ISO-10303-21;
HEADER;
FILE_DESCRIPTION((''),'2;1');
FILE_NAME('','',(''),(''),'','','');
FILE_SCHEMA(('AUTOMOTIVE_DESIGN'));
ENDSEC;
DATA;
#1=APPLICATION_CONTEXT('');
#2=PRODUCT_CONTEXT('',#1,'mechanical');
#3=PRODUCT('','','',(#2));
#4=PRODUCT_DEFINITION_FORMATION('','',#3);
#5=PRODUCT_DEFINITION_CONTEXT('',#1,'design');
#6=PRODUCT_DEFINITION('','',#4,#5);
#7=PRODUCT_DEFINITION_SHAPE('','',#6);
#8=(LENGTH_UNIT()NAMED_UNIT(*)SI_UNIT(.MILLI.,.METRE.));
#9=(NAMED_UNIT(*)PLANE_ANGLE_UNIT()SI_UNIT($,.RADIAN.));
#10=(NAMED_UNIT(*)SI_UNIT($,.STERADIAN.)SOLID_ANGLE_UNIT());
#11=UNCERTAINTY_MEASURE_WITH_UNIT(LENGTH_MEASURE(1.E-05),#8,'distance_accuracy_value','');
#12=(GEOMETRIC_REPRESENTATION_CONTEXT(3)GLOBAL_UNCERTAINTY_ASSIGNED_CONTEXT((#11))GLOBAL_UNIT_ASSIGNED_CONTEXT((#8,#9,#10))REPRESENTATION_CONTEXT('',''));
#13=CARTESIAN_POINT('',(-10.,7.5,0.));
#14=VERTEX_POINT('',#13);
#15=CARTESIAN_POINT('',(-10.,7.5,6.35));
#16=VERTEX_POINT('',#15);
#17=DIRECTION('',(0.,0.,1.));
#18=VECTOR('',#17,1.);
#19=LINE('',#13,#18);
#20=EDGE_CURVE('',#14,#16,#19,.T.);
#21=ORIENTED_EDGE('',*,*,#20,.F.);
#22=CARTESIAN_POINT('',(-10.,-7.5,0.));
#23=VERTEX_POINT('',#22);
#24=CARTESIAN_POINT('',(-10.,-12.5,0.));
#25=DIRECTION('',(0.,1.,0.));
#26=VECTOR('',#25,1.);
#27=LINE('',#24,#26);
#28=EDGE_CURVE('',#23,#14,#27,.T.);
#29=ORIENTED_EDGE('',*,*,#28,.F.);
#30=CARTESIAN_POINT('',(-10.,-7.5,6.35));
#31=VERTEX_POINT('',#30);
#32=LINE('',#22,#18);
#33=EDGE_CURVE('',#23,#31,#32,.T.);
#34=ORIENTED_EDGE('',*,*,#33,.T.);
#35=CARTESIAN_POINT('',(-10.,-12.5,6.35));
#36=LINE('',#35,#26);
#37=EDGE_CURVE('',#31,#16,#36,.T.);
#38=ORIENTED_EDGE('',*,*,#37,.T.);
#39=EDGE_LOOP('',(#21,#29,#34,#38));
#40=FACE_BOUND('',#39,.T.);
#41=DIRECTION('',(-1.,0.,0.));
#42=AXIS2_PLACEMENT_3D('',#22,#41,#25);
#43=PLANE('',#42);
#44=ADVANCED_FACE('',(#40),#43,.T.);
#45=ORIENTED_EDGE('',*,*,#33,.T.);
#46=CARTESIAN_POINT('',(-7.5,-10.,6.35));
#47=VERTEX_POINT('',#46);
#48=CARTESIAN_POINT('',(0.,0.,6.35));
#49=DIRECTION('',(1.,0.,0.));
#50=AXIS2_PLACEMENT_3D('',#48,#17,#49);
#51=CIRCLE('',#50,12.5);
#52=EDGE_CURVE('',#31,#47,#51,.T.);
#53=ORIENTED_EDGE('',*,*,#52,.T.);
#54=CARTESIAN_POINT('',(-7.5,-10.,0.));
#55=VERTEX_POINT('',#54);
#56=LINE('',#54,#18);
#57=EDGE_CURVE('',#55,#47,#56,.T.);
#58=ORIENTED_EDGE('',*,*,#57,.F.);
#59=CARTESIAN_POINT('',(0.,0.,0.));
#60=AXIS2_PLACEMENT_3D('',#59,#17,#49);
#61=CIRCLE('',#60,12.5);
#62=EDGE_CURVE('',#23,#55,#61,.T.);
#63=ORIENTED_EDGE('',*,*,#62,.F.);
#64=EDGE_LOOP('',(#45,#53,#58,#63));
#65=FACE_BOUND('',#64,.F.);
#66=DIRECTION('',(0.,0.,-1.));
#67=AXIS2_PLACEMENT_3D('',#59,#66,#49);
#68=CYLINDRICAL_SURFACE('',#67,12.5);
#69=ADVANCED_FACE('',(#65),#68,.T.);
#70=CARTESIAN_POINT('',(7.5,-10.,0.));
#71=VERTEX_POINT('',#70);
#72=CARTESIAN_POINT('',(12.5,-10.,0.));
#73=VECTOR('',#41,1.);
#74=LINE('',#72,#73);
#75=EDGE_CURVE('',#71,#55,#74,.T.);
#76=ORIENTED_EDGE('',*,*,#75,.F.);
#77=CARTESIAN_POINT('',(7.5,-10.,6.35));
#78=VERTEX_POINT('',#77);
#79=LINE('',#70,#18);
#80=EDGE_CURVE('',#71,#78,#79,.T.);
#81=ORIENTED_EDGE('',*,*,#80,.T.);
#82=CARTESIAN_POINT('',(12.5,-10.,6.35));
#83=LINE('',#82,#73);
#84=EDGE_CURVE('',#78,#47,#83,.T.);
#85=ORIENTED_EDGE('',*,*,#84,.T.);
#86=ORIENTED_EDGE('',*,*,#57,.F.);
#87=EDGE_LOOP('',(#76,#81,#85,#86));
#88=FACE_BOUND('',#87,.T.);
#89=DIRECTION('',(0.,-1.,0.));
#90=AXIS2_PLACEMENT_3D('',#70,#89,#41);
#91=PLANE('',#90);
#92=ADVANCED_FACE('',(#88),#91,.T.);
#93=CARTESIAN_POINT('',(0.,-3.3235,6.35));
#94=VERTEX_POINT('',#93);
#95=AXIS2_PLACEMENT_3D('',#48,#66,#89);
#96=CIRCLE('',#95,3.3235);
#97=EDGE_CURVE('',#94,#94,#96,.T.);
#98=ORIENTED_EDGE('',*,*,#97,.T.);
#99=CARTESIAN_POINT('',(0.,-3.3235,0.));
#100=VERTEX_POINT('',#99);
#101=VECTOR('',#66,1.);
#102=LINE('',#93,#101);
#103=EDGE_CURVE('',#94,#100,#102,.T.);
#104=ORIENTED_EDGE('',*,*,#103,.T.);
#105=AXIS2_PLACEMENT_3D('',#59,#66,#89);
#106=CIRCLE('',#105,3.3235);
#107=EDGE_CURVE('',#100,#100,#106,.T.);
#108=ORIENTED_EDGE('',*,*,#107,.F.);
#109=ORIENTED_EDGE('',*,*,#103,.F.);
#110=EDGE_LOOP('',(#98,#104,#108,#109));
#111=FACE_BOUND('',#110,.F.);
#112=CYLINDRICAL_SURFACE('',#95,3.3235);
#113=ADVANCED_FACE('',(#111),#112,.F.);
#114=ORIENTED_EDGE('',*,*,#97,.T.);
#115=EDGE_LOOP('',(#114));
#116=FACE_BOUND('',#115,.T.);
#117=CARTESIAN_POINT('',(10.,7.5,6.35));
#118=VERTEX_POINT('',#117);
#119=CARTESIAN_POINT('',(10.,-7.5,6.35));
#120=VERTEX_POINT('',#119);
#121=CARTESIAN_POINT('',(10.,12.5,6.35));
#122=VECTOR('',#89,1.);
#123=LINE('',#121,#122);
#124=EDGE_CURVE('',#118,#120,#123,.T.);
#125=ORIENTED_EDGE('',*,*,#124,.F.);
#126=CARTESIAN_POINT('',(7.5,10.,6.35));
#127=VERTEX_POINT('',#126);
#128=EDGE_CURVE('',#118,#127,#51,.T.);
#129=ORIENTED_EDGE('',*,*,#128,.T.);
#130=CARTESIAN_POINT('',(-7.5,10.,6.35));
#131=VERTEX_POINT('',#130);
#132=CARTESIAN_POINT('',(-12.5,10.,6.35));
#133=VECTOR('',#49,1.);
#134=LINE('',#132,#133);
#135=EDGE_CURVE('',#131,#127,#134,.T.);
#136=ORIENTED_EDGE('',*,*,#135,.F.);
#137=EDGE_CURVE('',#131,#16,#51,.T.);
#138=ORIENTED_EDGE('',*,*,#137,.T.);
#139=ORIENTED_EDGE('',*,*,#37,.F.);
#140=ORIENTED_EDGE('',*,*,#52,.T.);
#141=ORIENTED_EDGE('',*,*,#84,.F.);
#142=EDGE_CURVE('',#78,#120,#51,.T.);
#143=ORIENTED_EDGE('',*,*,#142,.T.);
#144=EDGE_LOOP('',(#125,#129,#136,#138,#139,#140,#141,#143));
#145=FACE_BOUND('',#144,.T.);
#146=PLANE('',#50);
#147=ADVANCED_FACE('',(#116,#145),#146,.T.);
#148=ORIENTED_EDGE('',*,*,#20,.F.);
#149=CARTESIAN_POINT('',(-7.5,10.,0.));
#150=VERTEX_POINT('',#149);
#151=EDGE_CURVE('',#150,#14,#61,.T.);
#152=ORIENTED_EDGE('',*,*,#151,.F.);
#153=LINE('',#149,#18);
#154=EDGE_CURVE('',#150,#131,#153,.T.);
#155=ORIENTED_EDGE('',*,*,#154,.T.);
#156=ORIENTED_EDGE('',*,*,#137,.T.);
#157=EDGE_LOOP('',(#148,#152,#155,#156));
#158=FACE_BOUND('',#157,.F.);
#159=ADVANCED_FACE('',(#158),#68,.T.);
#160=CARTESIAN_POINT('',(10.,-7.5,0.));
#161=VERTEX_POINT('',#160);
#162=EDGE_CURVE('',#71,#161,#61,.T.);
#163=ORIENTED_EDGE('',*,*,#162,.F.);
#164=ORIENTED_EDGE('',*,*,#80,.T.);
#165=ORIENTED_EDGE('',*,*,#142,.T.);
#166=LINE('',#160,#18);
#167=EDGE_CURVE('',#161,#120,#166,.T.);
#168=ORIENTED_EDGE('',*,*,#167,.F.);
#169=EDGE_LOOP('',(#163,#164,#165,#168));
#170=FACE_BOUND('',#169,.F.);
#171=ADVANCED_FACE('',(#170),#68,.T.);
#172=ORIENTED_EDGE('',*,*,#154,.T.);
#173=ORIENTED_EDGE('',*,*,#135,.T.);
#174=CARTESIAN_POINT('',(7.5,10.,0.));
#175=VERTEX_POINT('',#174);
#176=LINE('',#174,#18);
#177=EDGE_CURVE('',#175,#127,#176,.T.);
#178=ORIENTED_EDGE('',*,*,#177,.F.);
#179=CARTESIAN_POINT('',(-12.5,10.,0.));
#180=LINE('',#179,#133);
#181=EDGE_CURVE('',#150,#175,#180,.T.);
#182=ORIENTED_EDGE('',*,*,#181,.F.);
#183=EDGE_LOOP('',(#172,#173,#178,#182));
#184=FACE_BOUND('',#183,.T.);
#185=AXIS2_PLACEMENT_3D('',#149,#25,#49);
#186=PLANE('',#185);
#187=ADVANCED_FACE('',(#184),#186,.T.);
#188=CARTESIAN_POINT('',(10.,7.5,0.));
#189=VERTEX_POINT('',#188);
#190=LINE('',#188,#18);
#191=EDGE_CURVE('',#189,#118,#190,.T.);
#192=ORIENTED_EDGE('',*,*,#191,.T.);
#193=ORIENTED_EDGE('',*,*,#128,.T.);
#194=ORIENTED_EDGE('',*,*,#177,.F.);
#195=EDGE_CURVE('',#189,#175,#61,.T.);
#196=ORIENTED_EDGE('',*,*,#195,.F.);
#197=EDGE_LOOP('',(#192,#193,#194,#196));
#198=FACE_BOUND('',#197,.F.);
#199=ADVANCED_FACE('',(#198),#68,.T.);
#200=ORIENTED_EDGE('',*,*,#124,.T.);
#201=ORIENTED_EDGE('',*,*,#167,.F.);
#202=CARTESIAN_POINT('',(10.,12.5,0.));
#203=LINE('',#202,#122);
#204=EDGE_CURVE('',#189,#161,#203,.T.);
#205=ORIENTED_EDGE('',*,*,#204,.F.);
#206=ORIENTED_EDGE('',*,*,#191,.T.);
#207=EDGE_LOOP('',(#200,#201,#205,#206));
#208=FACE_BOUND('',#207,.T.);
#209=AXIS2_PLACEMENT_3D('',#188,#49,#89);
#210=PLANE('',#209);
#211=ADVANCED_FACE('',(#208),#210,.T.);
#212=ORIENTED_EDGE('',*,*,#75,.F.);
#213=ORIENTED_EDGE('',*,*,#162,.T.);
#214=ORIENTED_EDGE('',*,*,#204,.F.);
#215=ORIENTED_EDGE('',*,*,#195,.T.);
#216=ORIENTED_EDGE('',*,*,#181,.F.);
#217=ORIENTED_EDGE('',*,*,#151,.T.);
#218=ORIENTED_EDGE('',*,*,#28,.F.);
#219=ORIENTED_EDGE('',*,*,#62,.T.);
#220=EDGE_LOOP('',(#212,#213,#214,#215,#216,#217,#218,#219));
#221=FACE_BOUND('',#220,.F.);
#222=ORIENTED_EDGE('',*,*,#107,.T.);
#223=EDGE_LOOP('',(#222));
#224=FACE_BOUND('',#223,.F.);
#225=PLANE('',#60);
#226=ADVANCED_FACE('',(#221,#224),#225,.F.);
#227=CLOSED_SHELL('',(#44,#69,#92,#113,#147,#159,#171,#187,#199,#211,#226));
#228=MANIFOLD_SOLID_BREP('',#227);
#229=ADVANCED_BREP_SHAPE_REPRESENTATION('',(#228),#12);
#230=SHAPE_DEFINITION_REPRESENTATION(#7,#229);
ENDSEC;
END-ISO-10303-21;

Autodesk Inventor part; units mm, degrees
ref_plane "YZ Plane" through (0, 0, 0) normal (1, 0, 0) x (0, 1, 0)
ref_plane "XZ Plane" through (0, 0, 0) normal (0, 1, 0) x (-1, 0, 0)
ref_plane "XY Plane" through (0, 0, 0) normal (0, 0, 1) x (1, 0, 0)
sketch "Sketch1" plane through (0, 0, 0) normal (0, 0, 1) x (1, 0, 0)
  circle A0 centre (0, 0) radius 12.5
  line L0 (10, -12.5) -> (-10, -12.5)
  line L1 (-10, -12.5) -> (-10, 12.5)
  line L2 (-10, 12.5) -> (10, 12.5)
  line L3 (10, 12.5) -> (10, -12.5)
  line L4 (10, -12.5) -> (-10, 12.5) construction
  line L5 (-10, -12.5) -> (10, 12.5) construction
  line L6 (12.5, -10) -> (-12.5, -10)
  line L7 (-12.5, -10) -> (-12.5, 10)
  line L8 (-12.5, 10) -> (12.5, 10)
  line L9 (12.5, 10) -> (12.5, -10)
  line L10 (12.5, -10) -> (-12.5, 10) construction
  line L11 (-12.5, -10) -> (12.5, 10) construction
  point P0 (7.5, 10)
  point P1 (-7.5, 10)
  point P2 (-10, 7.5)
  point P3 (-10, -7.5)
  point P4 (-7.5, -10)
  point P5 (7.5, -10)
  point P6 (10, -7.5)
  point P7 (10, 7.5)
  dimension "d0" = 25
  dimension "d1" = 20
extrude "Extrusion1" add sketch "Sketch1" along normal blind 6.35 contours L3 A0 L6 L1 L8
sketch "Sketch2" plane through (0, 0, 6.35) normal (0, 0, 1) x (1, 0, 0)
  arc A0 (-10, -7.5) -> (-7.5, -10) centre (0, 0) ccw projected
hole "Hole1" at (0, 0, 6.35) direction (0, 0, -1) diameter 6.647 end through all thread size "M8x1.25" class "6H" standard "ANSI Metric M Profile"
properties part number "Levelling Foot Locknut" material "Aluminum 6061"
